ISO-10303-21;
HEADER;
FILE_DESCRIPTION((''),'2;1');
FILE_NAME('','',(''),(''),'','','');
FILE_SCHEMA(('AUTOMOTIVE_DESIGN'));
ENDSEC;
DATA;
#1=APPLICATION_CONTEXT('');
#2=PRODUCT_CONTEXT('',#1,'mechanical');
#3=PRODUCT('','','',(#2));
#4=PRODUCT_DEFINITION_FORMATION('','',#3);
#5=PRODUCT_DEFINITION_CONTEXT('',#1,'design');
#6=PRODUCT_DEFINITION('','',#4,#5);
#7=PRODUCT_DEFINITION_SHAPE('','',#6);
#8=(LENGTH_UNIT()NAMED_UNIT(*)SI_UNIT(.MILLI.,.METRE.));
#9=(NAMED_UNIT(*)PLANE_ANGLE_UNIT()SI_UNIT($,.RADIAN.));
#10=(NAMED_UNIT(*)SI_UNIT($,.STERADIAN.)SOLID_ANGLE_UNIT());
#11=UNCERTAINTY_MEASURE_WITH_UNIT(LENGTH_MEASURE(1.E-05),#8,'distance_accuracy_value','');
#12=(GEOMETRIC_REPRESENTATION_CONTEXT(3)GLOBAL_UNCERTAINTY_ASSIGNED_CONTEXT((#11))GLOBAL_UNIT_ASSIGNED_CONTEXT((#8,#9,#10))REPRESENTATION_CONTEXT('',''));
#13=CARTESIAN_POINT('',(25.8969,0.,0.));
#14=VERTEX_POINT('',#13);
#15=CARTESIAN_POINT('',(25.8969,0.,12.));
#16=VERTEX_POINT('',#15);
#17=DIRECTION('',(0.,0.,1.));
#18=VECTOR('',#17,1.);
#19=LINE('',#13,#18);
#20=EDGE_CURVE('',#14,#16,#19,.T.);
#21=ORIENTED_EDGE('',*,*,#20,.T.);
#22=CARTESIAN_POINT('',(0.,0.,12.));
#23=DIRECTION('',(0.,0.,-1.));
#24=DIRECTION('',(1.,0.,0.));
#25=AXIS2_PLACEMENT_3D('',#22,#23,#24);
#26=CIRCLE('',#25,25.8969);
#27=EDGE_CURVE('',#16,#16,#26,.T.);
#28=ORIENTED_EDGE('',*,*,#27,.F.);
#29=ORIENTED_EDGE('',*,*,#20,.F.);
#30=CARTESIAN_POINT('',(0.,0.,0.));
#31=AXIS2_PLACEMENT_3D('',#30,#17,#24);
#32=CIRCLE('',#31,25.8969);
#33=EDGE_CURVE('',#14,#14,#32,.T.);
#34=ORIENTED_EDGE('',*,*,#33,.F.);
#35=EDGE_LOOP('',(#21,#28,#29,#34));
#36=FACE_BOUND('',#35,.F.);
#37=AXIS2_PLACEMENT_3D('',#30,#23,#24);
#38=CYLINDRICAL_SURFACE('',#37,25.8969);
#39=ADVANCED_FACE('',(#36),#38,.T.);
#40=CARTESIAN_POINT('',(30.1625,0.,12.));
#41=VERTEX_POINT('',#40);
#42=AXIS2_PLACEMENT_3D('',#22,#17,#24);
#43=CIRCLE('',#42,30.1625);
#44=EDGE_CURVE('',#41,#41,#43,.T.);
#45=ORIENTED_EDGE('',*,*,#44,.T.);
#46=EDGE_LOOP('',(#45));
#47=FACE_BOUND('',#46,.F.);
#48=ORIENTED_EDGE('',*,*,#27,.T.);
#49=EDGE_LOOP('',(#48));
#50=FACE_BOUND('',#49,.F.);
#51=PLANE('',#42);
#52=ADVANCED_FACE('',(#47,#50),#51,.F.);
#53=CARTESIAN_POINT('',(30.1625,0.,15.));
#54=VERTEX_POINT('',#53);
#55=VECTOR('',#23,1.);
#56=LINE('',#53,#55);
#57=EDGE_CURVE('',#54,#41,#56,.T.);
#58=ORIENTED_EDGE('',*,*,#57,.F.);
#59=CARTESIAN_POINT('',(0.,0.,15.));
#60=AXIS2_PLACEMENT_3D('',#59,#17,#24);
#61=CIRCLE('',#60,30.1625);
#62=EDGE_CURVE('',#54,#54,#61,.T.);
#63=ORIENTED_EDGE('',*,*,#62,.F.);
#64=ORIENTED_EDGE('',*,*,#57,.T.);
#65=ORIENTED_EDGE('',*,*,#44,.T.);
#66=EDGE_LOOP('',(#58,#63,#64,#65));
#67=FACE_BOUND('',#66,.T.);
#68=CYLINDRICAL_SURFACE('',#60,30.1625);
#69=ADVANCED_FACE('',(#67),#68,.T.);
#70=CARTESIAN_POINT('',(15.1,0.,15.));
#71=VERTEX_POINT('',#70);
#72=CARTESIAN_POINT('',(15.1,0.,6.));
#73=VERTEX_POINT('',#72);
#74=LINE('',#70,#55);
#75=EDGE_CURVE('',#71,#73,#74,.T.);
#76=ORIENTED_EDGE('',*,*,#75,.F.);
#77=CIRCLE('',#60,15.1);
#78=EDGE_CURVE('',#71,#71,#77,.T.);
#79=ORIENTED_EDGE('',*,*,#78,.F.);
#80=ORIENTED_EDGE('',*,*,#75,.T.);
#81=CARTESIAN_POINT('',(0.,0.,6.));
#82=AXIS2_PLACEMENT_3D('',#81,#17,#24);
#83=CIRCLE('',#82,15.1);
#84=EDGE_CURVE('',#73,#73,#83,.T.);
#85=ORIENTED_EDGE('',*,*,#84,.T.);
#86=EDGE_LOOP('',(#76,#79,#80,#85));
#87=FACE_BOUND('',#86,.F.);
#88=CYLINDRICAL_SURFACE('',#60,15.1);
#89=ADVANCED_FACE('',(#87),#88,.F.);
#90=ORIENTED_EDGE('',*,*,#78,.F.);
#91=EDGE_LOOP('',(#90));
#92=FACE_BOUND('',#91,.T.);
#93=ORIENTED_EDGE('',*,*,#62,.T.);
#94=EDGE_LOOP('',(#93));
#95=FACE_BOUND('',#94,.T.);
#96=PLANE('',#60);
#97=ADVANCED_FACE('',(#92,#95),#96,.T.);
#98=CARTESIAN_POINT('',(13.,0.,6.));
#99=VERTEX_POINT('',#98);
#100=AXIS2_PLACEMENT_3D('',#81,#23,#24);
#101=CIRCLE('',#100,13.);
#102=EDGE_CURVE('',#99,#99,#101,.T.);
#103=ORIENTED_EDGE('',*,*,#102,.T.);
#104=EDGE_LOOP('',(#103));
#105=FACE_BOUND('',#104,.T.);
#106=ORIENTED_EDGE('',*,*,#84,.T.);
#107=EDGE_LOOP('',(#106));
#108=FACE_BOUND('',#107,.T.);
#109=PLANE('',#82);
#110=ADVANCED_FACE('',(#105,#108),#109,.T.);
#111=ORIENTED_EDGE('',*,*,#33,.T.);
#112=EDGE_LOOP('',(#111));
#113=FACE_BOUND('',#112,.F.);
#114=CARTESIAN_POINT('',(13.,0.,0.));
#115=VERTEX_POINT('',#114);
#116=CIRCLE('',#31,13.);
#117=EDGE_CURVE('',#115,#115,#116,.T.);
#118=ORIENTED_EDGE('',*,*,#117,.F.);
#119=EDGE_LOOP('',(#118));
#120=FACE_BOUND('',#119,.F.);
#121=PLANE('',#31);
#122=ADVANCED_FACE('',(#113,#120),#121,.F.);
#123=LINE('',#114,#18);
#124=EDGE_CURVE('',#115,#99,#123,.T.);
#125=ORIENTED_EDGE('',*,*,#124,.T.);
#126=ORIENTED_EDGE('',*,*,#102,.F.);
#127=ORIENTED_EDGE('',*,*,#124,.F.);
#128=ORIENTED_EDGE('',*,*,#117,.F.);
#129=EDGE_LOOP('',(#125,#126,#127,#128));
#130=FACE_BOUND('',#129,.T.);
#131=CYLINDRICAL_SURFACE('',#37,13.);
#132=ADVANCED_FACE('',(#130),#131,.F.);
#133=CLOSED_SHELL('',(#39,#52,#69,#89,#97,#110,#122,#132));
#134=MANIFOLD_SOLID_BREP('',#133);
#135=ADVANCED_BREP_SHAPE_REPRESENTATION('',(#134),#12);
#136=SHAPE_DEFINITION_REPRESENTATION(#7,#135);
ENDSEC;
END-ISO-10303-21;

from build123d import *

# Parameters (mm, degrees)
SKETCH001_R     = 25.8969
PAD001_DEPTH    = 15
SKETCH004_R     = 30.1625
PAD002_DEPTH    = 3
SKETCH002_R     = 15.1
POCKET_DEPTH    = 9
SKETCH003_R     = 13
POCKET001_DEPTH = 15.001


with BuildPart() as part:
    # Sketch001 → Pad001 (new body)
    with BuildSketch(Plane.XY):
        Circle(SKETCH001_R)
    extrude(amount=PAD001_DEPTH)

    # Sketch004 → Pad002 (join)
    with BuildSketch(Plane.XY.offset(15)):
        Circle(SKETCH004_R)
    extrude(amount=-PAD002_DEPTH)

    # Sketch002 → Pocket (cut)
    with BuildSketch(Plane.XY.offset(15)):
        Circle(SKETCH002_R)
    extrude(amount=-POCKET_DEPTH, mode=Mode.SUBTRACT)

    # Sketch003 → Pocket001 (cut, through all)
    with BuildSketch(Plane.XY):
        Circle(SKETCH003_R)
    extrude(amount=POCKET001_DEPTH, mode=Mode.SUBTRACT)


solid = part.part
